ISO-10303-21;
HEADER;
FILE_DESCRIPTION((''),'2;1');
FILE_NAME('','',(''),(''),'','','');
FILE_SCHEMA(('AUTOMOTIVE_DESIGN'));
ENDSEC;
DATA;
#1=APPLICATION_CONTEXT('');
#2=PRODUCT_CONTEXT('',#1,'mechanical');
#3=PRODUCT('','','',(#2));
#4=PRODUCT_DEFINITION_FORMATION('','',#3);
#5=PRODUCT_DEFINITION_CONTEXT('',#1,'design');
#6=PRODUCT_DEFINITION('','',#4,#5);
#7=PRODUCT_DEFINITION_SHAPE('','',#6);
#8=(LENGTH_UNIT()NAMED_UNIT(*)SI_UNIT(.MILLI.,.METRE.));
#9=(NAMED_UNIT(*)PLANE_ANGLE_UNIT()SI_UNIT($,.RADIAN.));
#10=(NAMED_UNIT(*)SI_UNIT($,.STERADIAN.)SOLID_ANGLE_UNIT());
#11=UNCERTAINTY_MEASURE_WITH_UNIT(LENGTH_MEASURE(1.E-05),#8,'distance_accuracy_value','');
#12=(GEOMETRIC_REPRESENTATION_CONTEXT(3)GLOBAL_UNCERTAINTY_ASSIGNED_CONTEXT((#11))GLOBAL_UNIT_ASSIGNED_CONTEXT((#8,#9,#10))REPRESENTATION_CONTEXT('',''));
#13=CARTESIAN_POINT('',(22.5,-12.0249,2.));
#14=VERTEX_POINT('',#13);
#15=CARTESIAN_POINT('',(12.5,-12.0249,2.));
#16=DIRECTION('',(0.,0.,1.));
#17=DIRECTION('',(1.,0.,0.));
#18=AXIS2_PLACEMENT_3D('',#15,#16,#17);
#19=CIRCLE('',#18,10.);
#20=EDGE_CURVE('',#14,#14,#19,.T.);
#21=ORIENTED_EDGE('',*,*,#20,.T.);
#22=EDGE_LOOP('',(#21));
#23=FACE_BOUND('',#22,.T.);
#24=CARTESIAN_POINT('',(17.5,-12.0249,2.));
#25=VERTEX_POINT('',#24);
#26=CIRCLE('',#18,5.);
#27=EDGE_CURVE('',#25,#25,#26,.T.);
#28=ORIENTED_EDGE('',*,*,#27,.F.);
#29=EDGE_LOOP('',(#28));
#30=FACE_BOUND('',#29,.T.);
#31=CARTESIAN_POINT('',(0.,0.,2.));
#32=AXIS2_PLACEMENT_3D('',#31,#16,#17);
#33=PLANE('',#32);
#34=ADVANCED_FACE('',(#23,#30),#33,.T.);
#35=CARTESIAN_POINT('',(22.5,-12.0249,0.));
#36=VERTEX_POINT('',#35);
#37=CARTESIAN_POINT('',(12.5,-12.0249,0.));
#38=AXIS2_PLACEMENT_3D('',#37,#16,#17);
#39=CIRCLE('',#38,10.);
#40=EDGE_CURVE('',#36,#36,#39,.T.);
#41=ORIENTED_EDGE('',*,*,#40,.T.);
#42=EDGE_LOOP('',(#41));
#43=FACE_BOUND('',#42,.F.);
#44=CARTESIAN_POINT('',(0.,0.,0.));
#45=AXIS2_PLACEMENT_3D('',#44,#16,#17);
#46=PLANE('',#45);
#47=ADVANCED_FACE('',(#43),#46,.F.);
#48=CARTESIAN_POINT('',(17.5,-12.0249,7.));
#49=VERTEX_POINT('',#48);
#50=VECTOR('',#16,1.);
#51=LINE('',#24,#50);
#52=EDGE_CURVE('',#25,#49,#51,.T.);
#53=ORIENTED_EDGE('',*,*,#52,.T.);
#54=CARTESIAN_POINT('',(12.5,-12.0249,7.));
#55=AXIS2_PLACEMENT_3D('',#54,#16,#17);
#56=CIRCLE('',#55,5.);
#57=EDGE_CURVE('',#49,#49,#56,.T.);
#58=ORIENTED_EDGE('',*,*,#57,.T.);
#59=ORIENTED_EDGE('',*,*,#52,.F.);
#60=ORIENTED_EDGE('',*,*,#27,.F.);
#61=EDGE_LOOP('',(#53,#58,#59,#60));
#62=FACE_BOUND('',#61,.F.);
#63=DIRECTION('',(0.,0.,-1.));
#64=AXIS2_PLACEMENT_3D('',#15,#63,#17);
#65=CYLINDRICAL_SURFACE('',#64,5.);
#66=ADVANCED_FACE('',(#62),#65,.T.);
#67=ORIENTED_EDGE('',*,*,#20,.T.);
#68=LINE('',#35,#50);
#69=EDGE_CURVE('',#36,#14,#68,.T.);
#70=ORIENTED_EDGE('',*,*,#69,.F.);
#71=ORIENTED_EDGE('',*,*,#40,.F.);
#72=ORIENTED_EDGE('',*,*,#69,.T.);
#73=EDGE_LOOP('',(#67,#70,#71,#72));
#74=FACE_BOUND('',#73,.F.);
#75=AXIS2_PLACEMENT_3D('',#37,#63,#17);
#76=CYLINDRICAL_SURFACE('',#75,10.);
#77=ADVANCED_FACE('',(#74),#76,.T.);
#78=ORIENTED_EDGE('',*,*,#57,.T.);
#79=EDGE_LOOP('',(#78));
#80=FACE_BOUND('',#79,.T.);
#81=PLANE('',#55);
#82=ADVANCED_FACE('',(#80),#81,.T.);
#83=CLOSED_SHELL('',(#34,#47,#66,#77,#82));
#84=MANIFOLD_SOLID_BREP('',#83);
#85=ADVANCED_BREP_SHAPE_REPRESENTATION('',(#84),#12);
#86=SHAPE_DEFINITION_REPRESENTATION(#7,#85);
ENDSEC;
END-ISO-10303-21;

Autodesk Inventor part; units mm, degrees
ref_plane "YZ Plane" through (0, 0, 0) normal (1, 0, 0) x (0, 1, 0)
ref_plane "XZ Plane" through (0, 0, 0) normal (0, 1, 0) x (-1, 0, 0)
ref_plane "XY Plane" through (0, 0, 0) normal (0, 0, 1) x (1, 0, 0)
ref_plane "Work Plane1" through (0, 0, 0) normal (0, 0, 1) x (1, 0, 0)
sketch "Sketch1" plane through (0, 0, 0) normal (0, 0, 1) x (1, 0, 0)
  line L0 (0, -1.2426) -> (25, -1.2426) projected
  line L1 (0, -1.2426) -> (0, -22.8071) projected
  line L2 (0, -22.8071) -> (25, -22.8071) projected
  line L3 (25, -1.2426) -> (25, -22.8071) projected
  circle A0 centre (12.5, -12.0249) radius 10
  point P0 (0, 0)
  dimension "d0" = 20
extrude "Extrusion1" add sketch "Sketch1" along normal blind 2 contours A0
sketch "Sketch2" plane through (12.5, -12.0249, 2) normal (0, 0, 1) x (1, 0, 0)
  circle A0 centre (0, 0) radius 10 projected
  circle A1 centre (0, 0) radius 5
  point P0 (-12.5, 12.0249)
  dimension "d3" = 10
extrude "Extrusion2" add sketch "Sketch2" along normal blind 5 contours A1
properties part number "LED Holder Magnetic"
